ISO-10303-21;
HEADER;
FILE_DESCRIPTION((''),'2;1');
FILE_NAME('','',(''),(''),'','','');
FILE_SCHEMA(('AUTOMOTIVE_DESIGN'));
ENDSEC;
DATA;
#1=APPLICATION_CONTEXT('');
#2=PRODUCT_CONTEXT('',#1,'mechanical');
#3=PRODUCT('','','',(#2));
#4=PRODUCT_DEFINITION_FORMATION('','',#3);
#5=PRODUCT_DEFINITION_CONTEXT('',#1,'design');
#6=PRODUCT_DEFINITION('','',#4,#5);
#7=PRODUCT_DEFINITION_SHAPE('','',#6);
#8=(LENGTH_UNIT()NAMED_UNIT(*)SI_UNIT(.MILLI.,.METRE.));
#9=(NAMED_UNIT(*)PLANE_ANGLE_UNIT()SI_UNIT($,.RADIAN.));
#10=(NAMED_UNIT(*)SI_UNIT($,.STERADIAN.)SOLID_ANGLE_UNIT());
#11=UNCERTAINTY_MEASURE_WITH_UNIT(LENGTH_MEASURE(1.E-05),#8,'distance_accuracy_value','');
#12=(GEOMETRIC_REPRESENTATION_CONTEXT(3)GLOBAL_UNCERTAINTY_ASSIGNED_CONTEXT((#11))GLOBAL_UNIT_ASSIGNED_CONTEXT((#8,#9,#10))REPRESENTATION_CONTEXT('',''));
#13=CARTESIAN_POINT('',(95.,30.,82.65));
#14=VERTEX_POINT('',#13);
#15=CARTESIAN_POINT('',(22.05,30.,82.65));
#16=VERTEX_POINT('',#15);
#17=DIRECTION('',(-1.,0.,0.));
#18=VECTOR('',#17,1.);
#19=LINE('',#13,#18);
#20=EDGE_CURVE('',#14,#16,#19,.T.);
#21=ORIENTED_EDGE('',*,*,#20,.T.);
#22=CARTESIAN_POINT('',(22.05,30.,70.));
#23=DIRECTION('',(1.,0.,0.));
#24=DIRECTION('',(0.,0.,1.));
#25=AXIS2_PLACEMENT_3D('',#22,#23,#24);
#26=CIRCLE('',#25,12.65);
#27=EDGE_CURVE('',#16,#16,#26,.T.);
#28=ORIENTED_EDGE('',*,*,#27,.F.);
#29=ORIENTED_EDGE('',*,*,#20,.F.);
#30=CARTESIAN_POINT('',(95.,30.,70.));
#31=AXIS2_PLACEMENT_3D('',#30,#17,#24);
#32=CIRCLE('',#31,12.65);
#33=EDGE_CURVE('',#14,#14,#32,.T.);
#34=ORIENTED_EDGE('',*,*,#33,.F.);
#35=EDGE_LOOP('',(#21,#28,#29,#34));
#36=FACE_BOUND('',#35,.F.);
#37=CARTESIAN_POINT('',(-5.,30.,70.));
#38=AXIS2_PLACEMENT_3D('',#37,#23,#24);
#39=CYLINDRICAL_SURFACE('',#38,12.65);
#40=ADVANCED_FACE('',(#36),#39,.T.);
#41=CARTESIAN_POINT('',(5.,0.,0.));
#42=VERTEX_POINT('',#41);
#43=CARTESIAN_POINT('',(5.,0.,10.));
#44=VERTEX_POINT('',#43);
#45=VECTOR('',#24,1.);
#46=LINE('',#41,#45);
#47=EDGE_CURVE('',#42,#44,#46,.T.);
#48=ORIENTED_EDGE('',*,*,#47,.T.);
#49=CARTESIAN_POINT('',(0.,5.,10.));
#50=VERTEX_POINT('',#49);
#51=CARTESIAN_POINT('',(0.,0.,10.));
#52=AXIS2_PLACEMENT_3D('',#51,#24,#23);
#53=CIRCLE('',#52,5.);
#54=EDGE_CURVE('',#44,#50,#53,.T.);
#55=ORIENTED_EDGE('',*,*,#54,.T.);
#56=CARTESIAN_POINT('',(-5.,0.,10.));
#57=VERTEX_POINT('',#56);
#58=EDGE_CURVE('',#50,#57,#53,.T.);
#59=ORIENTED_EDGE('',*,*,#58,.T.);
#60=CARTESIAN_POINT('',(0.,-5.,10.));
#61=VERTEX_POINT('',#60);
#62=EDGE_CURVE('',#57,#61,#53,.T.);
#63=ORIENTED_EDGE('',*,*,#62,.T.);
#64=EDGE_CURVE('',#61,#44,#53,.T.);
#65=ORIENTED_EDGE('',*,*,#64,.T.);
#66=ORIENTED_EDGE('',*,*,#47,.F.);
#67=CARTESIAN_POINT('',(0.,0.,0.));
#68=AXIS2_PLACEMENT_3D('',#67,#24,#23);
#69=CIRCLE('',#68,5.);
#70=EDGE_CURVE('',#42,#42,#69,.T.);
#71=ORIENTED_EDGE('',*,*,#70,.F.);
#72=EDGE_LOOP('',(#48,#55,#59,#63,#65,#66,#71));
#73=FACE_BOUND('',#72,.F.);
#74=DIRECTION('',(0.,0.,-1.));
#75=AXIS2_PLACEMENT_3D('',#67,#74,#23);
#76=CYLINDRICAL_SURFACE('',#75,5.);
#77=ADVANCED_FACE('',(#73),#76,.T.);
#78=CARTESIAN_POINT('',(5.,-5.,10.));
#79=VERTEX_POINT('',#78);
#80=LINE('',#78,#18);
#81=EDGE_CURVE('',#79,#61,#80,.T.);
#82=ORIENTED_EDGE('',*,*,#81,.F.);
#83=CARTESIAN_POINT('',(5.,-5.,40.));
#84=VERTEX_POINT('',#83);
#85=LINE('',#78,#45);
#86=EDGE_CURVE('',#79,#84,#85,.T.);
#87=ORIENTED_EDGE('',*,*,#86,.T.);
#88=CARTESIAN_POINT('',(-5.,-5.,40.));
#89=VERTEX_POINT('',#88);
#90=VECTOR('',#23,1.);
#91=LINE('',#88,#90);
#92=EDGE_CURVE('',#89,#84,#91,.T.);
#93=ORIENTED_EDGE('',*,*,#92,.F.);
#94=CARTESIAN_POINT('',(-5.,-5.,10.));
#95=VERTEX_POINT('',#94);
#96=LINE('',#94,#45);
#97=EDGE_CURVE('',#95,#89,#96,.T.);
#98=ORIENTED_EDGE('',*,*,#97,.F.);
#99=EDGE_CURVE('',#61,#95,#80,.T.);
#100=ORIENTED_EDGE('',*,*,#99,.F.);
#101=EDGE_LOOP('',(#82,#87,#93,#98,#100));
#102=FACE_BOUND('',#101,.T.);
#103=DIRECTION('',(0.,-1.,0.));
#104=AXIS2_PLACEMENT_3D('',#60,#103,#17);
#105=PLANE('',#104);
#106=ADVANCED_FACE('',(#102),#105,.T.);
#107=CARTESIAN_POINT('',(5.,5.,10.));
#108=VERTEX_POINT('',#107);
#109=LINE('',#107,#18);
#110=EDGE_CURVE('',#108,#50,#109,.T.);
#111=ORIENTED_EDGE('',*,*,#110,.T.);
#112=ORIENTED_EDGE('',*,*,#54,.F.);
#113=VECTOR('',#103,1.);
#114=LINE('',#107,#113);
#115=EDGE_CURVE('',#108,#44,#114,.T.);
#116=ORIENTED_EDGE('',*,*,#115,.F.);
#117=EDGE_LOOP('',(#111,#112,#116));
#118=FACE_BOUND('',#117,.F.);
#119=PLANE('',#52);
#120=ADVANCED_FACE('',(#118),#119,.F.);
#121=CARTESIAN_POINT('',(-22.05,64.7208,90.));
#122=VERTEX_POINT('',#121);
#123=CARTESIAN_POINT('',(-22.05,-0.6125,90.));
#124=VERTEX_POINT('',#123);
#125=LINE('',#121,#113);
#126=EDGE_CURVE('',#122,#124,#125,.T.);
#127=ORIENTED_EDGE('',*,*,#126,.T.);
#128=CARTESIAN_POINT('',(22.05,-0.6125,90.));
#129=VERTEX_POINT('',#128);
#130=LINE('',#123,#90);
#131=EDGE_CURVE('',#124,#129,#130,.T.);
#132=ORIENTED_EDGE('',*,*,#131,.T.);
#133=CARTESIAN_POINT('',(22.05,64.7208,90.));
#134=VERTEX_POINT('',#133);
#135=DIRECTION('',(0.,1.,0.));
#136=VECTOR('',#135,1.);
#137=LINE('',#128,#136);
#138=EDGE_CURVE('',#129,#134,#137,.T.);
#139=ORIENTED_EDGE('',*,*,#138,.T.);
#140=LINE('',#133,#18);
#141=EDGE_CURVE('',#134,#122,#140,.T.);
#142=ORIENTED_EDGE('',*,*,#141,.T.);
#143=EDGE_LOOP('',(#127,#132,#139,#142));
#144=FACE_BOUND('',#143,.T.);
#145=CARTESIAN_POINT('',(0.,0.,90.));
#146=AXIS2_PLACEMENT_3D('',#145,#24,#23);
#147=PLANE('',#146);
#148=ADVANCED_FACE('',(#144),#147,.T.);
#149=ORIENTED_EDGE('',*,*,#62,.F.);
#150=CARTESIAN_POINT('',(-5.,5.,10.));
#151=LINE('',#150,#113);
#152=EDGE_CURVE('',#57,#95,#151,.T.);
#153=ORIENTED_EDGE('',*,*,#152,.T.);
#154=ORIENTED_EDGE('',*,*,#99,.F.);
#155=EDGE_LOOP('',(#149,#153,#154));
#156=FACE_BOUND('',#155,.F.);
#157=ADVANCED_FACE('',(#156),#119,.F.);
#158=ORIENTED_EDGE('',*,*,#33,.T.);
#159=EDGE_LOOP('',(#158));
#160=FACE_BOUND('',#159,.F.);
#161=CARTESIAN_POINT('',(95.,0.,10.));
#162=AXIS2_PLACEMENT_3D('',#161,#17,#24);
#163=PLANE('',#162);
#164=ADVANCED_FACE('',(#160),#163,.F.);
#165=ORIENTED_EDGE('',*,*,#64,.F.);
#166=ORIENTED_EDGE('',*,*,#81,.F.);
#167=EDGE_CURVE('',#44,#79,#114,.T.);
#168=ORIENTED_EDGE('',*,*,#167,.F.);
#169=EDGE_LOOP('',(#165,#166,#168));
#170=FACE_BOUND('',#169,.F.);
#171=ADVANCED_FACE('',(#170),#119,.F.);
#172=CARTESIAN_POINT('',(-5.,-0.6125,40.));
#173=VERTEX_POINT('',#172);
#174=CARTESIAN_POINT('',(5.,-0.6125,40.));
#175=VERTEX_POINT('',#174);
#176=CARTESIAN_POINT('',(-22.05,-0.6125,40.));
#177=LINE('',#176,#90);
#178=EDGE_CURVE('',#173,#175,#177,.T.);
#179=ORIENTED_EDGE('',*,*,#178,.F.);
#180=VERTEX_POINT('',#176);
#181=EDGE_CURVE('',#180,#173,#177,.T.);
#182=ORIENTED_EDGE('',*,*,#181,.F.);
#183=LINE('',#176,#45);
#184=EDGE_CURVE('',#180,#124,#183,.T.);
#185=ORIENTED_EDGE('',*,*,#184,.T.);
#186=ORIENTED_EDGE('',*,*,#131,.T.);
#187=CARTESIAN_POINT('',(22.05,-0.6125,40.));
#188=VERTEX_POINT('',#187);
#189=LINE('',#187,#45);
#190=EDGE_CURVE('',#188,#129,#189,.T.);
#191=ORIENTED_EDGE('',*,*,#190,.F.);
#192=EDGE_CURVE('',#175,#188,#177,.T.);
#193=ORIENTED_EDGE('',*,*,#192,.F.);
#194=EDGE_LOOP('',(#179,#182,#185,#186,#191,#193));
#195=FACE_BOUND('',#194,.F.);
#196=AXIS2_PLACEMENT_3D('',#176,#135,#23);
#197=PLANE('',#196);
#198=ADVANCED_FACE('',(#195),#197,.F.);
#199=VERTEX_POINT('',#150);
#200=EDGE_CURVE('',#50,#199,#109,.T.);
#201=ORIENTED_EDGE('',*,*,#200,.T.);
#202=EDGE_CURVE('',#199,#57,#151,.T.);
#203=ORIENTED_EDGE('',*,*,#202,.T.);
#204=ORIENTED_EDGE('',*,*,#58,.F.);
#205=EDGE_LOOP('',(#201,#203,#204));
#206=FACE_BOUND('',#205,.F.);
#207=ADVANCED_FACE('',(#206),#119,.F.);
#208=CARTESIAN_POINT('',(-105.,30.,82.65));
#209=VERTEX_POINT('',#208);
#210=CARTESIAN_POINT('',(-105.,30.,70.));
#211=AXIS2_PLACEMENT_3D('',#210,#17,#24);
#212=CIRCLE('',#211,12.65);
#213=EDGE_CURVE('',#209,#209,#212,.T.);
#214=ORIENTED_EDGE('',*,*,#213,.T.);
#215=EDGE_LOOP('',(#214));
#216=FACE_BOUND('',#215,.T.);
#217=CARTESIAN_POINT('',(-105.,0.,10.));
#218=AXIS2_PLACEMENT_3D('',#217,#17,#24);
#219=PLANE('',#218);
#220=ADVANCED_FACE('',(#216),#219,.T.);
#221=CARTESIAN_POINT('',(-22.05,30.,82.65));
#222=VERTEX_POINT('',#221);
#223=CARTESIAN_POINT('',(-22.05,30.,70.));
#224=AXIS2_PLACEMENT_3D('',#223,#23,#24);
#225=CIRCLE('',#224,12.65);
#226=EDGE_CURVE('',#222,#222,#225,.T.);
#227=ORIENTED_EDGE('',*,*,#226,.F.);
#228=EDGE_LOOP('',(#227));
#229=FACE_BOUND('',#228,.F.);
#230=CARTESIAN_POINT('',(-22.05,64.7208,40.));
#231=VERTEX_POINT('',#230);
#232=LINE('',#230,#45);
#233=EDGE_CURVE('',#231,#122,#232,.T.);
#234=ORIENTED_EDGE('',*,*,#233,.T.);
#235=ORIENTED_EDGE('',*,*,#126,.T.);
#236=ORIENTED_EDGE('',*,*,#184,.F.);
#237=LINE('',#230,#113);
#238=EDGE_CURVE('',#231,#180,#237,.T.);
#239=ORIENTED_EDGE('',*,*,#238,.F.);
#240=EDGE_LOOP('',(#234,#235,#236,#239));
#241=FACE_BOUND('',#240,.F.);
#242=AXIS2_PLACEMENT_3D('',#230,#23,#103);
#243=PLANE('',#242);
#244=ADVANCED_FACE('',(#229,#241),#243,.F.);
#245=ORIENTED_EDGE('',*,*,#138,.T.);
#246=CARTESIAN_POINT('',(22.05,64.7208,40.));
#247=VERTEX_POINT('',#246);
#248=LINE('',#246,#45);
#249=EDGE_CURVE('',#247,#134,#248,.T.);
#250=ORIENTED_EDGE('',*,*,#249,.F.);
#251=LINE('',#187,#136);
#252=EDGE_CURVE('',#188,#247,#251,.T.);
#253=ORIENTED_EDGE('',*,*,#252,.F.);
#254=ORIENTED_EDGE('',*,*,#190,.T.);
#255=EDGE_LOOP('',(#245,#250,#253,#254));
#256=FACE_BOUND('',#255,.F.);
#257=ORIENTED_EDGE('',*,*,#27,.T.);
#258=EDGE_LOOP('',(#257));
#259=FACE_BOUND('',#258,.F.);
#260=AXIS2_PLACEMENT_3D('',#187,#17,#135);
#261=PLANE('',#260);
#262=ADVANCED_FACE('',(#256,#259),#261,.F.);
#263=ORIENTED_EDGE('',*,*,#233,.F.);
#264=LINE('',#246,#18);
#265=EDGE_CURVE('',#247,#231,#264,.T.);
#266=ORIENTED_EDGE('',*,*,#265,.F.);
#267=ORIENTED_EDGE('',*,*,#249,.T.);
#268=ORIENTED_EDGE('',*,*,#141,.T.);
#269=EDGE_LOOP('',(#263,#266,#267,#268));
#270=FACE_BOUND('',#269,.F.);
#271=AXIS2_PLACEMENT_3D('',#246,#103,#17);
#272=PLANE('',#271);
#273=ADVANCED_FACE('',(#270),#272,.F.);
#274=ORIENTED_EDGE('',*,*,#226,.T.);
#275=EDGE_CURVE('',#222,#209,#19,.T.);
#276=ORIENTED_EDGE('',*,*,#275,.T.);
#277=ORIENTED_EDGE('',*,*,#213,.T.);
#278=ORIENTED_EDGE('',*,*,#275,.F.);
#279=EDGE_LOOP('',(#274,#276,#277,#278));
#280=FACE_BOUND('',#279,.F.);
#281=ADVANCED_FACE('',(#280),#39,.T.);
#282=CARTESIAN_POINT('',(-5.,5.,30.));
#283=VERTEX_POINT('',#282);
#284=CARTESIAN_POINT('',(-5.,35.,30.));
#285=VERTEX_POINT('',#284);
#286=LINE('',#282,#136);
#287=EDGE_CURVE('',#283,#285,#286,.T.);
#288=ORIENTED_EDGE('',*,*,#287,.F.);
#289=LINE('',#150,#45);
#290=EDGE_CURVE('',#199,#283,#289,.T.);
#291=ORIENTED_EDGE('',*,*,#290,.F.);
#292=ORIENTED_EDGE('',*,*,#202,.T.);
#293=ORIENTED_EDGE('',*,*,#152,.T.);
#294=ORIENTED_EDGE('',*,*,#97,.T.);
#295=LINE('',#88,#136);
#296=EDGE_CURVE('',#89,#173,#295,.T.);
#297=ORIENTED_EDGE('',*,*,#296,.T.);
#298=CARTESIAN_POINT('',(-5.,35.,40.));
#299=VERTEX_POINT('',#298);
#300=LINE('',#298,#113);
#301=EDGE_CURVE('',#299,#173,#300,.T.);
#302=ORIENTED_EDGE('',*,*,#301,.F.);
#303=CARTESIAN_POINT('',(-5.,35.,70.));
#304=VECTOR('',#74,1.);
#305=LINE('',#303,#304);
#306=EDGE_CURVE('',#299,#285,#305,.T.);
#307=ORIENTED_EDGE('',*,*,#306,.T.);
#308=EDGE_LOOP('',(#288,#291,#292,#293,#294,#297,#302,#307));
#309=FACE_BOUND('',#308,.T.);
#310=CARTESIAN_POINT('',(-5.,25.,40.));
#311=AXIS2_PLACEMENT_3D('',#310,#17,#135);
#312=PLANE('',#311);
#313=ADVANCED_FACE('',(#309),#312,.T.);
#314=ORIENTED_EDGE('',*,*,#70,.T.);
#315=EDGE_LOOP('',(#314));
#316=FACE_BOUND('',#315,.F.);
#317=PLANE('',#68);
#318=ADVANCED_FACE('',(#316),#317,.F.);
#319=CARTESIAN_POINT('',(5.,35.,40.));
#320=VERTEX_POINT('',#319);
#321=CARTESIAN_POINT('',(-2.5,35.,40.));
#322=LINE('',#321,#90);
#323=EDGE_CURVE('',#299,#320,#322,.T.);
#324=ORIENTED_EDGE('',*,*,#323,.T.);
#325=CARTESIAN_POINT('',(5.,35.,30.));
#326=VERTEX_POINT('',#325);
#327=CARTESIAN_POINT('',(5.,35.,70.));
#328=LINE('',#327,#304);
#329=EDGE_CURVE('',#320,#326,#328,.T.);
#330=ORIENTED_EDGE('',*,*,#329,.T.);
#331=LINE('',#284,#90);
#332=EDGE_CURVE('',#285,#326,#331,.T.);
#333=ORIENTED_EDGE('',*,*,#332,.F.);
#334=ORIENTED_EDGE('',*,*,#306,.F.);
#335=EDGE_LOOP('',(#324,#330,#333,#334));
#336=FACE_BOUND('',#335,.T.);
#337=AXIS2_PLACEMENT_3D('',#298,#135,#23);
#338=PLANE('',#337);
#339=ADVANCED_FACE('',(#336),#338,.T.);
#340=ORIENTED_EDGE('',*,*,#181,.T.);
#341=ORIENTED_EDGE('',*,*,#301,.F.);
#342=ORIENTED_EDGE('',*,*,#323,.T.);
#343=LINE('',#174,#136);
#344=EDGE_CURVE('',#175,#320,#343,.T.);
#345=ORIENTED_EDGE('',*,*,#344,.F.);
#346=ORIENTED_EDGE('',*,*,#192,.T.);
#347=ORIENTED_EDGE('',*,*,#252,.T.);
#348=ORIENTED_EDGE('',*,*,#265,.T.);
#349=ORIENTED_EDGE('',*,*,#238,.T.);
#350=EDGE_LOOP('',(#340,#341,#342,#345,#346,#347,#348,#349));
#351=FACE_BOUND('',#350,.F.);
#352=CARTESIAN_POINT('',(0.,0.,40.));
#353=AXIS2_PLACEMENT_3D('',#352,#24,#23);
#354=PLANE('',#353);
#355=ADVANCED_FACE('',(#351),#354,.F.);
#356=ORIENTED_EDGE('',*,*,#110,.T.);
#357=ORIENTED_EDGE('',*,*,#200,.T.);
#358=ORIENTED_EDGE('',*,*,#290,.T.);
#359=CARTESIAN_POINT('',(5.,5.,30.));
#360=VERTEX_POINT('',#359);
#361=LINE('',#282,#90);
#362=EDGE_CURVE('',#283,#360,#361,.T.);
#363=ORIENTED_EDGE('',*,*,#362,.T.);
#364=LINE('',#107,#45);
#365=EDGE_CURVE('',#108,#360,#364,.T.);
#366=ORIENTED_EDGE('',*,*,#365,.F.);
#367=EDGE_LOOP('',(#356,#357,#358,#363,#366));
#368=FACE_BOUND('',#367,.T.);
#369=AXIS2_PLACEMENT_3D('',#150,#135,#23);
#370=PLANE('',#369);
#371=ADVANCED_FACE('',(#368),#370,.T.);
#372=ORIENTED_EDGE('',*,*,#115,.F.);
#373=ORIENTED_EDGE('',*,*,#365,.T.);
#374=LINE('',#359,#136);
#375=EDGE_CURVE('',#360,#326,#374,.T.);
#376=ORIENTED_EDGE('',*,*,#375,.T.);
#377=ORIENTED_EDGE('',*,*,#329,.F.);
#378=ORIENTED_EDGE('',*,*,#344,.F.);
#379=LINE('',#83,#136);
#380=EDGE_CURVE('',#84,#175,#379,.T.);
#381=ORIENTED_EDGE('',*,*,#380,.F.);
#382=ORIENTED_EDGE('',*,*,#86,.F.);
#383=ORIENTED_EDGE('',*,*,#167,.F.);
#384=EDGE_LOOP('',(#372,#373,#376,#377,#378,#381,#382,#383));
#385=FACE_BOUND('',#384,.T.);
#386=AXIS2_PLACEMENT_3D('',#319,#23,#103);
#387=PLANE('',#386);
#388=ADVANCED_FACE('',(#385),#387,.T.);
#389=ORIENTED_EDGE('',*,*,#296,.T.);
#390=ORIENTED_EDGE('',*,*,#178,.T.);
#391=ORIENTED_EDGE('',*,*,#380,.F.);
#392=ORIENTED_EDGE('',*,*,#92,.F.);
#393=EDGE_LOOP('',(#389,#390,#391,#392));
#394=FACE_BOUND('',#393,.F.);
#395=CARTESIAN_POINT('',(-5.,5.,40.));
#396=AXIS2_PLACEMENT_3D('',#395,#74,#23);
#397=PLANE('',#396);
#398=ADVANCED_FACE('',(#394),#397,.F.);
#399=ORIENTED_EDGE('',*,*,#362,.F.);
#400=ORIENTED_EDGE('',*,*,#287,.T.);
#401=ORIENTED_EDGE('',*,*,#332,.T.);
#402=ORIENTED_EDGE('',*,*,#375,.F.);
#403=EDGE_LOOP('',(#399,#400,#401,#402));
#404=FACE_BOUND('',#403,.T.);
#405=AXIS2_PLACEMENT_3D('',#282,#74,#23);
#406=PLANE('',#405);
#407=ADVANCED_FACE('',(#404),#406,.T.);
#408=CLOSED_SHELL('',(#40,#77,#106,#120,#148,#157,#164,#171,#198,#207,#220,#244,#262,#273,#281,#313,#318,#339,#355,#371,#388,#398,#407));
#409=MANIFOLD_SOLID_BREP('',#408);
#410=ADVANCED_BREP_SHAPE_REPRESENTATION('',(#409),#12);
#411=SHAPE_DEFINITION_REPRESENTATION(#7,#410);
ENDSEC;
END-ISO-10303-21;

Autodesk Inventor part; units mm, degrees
ref_plane "YZ Plane" through (0, 0, 0) normal (1, 0, 0) x (0, 1, 0)
ref_plane "XZ Plane" through (0, 0, 0) normal (0, 1, 0) x (-1, 0, 0)
ref_plane "XY Plane" through (0, 0, 0) normal (0, 0, 1) x (1, 0, 0)
sketch "Skizze1" plane through (0, 0, 0) normal (0, 0, 1) x (1, 0, 0)
  circle A0 centre (0, 0) radius 5
  dimension "d0" = 10
extrude "Extrusion1" add sketch "Skizze1" along normal blind 10
sketch "Skizze2" plane through (0, 0, 10) normal (0, 0, 1) x (1, 0, 0)
  line L0 (-5, 5) -> (5, 5)
  line L1 (5, 5) -> (5, -5)
  line L2 (5, -5) -> (-5, -5)
  line L3 (-5, -5) -> (-5, 5)
  circle A0 centre (0, 0) radius 5 projected
  dimension "d3" = 10
  dimension "d4" = 10
extrude "Extrusion2" add sketch "Skizze2" along normal blind 30
sketch "Skizze3" plane through (0, 5, 10) normal (0, 1, 0) x (1, 0, 0)
  line L0 (-5, -30) -> (5, -30) projected
  line L1 (5, -30) -> (-5, -30)
  line L2 (-5, -30) -> (-5, -20)
  line L3 (-5, -20) -> (5, -20)
  line L4 (5, -20) -> (5, -30)
  point P0 (0, 10)
  dimension "d7" = 10
  dimension "d8" = 10
extrude "Extrusion3" add sketch "Skizze3" along normal blind 30
sketch "Skizze5" plane through (0, 0, 40) normal (0, 0, 1) x (1, 0, 0)
  line L0 (-5, -5) -> (-5, 35) projected
  line L1 (-5, 35) -> (5, 35)
  line L2 (5, 35) -> (5, 25)
  line L3 (5, 25) -> (-5, 25)
  line L4 (-5, 25) -> (-5, 35)
  point P0 (0, 0)
  dimension "d11" = 10
  dimension "d12" = 10
extrude "Extrusion4" add sketch "Skizze5" along normal blind 30
sketch "Skizze6" plane through (-5, 0, 10) normal (-1, 0, 0) x (0, 0, 1)
  line L0 (60, 25) -> (60, 35) projected
  circle A0 centre (60, 30) radius 12.65
  point P0 (-10, 0)
  dimension "d15" = 25.3
extrude "Extrusion5" add sketch "Skizze6" along normal mid plane 200
sketch "Skizze7" plane through (0, 0, 40) normal (0, 0, 1) x (1, 0, 0)
  line L0 (-22.05, -0.6125) -> (22.05, -0.6125)
  line L1 (22.05, -0.6125) -> (22.05, 64.7208)
  line L2 (22.05, 64.7208) -> (-22.05, 64.7208)
  line L3 (-22.05, 64.7208) -> (-22.05, -0.6125)
  line L4 (-5, 5) -> (-5, 35) projected
  point P0 (0, 0)
  dimension "d18" = 44.1
  dimension "d19" = 17.05
extrude "Extrusion6" add sketch "Skizze7" along normal blind 50
properties part number "ONLY_Inventor_inv1"
